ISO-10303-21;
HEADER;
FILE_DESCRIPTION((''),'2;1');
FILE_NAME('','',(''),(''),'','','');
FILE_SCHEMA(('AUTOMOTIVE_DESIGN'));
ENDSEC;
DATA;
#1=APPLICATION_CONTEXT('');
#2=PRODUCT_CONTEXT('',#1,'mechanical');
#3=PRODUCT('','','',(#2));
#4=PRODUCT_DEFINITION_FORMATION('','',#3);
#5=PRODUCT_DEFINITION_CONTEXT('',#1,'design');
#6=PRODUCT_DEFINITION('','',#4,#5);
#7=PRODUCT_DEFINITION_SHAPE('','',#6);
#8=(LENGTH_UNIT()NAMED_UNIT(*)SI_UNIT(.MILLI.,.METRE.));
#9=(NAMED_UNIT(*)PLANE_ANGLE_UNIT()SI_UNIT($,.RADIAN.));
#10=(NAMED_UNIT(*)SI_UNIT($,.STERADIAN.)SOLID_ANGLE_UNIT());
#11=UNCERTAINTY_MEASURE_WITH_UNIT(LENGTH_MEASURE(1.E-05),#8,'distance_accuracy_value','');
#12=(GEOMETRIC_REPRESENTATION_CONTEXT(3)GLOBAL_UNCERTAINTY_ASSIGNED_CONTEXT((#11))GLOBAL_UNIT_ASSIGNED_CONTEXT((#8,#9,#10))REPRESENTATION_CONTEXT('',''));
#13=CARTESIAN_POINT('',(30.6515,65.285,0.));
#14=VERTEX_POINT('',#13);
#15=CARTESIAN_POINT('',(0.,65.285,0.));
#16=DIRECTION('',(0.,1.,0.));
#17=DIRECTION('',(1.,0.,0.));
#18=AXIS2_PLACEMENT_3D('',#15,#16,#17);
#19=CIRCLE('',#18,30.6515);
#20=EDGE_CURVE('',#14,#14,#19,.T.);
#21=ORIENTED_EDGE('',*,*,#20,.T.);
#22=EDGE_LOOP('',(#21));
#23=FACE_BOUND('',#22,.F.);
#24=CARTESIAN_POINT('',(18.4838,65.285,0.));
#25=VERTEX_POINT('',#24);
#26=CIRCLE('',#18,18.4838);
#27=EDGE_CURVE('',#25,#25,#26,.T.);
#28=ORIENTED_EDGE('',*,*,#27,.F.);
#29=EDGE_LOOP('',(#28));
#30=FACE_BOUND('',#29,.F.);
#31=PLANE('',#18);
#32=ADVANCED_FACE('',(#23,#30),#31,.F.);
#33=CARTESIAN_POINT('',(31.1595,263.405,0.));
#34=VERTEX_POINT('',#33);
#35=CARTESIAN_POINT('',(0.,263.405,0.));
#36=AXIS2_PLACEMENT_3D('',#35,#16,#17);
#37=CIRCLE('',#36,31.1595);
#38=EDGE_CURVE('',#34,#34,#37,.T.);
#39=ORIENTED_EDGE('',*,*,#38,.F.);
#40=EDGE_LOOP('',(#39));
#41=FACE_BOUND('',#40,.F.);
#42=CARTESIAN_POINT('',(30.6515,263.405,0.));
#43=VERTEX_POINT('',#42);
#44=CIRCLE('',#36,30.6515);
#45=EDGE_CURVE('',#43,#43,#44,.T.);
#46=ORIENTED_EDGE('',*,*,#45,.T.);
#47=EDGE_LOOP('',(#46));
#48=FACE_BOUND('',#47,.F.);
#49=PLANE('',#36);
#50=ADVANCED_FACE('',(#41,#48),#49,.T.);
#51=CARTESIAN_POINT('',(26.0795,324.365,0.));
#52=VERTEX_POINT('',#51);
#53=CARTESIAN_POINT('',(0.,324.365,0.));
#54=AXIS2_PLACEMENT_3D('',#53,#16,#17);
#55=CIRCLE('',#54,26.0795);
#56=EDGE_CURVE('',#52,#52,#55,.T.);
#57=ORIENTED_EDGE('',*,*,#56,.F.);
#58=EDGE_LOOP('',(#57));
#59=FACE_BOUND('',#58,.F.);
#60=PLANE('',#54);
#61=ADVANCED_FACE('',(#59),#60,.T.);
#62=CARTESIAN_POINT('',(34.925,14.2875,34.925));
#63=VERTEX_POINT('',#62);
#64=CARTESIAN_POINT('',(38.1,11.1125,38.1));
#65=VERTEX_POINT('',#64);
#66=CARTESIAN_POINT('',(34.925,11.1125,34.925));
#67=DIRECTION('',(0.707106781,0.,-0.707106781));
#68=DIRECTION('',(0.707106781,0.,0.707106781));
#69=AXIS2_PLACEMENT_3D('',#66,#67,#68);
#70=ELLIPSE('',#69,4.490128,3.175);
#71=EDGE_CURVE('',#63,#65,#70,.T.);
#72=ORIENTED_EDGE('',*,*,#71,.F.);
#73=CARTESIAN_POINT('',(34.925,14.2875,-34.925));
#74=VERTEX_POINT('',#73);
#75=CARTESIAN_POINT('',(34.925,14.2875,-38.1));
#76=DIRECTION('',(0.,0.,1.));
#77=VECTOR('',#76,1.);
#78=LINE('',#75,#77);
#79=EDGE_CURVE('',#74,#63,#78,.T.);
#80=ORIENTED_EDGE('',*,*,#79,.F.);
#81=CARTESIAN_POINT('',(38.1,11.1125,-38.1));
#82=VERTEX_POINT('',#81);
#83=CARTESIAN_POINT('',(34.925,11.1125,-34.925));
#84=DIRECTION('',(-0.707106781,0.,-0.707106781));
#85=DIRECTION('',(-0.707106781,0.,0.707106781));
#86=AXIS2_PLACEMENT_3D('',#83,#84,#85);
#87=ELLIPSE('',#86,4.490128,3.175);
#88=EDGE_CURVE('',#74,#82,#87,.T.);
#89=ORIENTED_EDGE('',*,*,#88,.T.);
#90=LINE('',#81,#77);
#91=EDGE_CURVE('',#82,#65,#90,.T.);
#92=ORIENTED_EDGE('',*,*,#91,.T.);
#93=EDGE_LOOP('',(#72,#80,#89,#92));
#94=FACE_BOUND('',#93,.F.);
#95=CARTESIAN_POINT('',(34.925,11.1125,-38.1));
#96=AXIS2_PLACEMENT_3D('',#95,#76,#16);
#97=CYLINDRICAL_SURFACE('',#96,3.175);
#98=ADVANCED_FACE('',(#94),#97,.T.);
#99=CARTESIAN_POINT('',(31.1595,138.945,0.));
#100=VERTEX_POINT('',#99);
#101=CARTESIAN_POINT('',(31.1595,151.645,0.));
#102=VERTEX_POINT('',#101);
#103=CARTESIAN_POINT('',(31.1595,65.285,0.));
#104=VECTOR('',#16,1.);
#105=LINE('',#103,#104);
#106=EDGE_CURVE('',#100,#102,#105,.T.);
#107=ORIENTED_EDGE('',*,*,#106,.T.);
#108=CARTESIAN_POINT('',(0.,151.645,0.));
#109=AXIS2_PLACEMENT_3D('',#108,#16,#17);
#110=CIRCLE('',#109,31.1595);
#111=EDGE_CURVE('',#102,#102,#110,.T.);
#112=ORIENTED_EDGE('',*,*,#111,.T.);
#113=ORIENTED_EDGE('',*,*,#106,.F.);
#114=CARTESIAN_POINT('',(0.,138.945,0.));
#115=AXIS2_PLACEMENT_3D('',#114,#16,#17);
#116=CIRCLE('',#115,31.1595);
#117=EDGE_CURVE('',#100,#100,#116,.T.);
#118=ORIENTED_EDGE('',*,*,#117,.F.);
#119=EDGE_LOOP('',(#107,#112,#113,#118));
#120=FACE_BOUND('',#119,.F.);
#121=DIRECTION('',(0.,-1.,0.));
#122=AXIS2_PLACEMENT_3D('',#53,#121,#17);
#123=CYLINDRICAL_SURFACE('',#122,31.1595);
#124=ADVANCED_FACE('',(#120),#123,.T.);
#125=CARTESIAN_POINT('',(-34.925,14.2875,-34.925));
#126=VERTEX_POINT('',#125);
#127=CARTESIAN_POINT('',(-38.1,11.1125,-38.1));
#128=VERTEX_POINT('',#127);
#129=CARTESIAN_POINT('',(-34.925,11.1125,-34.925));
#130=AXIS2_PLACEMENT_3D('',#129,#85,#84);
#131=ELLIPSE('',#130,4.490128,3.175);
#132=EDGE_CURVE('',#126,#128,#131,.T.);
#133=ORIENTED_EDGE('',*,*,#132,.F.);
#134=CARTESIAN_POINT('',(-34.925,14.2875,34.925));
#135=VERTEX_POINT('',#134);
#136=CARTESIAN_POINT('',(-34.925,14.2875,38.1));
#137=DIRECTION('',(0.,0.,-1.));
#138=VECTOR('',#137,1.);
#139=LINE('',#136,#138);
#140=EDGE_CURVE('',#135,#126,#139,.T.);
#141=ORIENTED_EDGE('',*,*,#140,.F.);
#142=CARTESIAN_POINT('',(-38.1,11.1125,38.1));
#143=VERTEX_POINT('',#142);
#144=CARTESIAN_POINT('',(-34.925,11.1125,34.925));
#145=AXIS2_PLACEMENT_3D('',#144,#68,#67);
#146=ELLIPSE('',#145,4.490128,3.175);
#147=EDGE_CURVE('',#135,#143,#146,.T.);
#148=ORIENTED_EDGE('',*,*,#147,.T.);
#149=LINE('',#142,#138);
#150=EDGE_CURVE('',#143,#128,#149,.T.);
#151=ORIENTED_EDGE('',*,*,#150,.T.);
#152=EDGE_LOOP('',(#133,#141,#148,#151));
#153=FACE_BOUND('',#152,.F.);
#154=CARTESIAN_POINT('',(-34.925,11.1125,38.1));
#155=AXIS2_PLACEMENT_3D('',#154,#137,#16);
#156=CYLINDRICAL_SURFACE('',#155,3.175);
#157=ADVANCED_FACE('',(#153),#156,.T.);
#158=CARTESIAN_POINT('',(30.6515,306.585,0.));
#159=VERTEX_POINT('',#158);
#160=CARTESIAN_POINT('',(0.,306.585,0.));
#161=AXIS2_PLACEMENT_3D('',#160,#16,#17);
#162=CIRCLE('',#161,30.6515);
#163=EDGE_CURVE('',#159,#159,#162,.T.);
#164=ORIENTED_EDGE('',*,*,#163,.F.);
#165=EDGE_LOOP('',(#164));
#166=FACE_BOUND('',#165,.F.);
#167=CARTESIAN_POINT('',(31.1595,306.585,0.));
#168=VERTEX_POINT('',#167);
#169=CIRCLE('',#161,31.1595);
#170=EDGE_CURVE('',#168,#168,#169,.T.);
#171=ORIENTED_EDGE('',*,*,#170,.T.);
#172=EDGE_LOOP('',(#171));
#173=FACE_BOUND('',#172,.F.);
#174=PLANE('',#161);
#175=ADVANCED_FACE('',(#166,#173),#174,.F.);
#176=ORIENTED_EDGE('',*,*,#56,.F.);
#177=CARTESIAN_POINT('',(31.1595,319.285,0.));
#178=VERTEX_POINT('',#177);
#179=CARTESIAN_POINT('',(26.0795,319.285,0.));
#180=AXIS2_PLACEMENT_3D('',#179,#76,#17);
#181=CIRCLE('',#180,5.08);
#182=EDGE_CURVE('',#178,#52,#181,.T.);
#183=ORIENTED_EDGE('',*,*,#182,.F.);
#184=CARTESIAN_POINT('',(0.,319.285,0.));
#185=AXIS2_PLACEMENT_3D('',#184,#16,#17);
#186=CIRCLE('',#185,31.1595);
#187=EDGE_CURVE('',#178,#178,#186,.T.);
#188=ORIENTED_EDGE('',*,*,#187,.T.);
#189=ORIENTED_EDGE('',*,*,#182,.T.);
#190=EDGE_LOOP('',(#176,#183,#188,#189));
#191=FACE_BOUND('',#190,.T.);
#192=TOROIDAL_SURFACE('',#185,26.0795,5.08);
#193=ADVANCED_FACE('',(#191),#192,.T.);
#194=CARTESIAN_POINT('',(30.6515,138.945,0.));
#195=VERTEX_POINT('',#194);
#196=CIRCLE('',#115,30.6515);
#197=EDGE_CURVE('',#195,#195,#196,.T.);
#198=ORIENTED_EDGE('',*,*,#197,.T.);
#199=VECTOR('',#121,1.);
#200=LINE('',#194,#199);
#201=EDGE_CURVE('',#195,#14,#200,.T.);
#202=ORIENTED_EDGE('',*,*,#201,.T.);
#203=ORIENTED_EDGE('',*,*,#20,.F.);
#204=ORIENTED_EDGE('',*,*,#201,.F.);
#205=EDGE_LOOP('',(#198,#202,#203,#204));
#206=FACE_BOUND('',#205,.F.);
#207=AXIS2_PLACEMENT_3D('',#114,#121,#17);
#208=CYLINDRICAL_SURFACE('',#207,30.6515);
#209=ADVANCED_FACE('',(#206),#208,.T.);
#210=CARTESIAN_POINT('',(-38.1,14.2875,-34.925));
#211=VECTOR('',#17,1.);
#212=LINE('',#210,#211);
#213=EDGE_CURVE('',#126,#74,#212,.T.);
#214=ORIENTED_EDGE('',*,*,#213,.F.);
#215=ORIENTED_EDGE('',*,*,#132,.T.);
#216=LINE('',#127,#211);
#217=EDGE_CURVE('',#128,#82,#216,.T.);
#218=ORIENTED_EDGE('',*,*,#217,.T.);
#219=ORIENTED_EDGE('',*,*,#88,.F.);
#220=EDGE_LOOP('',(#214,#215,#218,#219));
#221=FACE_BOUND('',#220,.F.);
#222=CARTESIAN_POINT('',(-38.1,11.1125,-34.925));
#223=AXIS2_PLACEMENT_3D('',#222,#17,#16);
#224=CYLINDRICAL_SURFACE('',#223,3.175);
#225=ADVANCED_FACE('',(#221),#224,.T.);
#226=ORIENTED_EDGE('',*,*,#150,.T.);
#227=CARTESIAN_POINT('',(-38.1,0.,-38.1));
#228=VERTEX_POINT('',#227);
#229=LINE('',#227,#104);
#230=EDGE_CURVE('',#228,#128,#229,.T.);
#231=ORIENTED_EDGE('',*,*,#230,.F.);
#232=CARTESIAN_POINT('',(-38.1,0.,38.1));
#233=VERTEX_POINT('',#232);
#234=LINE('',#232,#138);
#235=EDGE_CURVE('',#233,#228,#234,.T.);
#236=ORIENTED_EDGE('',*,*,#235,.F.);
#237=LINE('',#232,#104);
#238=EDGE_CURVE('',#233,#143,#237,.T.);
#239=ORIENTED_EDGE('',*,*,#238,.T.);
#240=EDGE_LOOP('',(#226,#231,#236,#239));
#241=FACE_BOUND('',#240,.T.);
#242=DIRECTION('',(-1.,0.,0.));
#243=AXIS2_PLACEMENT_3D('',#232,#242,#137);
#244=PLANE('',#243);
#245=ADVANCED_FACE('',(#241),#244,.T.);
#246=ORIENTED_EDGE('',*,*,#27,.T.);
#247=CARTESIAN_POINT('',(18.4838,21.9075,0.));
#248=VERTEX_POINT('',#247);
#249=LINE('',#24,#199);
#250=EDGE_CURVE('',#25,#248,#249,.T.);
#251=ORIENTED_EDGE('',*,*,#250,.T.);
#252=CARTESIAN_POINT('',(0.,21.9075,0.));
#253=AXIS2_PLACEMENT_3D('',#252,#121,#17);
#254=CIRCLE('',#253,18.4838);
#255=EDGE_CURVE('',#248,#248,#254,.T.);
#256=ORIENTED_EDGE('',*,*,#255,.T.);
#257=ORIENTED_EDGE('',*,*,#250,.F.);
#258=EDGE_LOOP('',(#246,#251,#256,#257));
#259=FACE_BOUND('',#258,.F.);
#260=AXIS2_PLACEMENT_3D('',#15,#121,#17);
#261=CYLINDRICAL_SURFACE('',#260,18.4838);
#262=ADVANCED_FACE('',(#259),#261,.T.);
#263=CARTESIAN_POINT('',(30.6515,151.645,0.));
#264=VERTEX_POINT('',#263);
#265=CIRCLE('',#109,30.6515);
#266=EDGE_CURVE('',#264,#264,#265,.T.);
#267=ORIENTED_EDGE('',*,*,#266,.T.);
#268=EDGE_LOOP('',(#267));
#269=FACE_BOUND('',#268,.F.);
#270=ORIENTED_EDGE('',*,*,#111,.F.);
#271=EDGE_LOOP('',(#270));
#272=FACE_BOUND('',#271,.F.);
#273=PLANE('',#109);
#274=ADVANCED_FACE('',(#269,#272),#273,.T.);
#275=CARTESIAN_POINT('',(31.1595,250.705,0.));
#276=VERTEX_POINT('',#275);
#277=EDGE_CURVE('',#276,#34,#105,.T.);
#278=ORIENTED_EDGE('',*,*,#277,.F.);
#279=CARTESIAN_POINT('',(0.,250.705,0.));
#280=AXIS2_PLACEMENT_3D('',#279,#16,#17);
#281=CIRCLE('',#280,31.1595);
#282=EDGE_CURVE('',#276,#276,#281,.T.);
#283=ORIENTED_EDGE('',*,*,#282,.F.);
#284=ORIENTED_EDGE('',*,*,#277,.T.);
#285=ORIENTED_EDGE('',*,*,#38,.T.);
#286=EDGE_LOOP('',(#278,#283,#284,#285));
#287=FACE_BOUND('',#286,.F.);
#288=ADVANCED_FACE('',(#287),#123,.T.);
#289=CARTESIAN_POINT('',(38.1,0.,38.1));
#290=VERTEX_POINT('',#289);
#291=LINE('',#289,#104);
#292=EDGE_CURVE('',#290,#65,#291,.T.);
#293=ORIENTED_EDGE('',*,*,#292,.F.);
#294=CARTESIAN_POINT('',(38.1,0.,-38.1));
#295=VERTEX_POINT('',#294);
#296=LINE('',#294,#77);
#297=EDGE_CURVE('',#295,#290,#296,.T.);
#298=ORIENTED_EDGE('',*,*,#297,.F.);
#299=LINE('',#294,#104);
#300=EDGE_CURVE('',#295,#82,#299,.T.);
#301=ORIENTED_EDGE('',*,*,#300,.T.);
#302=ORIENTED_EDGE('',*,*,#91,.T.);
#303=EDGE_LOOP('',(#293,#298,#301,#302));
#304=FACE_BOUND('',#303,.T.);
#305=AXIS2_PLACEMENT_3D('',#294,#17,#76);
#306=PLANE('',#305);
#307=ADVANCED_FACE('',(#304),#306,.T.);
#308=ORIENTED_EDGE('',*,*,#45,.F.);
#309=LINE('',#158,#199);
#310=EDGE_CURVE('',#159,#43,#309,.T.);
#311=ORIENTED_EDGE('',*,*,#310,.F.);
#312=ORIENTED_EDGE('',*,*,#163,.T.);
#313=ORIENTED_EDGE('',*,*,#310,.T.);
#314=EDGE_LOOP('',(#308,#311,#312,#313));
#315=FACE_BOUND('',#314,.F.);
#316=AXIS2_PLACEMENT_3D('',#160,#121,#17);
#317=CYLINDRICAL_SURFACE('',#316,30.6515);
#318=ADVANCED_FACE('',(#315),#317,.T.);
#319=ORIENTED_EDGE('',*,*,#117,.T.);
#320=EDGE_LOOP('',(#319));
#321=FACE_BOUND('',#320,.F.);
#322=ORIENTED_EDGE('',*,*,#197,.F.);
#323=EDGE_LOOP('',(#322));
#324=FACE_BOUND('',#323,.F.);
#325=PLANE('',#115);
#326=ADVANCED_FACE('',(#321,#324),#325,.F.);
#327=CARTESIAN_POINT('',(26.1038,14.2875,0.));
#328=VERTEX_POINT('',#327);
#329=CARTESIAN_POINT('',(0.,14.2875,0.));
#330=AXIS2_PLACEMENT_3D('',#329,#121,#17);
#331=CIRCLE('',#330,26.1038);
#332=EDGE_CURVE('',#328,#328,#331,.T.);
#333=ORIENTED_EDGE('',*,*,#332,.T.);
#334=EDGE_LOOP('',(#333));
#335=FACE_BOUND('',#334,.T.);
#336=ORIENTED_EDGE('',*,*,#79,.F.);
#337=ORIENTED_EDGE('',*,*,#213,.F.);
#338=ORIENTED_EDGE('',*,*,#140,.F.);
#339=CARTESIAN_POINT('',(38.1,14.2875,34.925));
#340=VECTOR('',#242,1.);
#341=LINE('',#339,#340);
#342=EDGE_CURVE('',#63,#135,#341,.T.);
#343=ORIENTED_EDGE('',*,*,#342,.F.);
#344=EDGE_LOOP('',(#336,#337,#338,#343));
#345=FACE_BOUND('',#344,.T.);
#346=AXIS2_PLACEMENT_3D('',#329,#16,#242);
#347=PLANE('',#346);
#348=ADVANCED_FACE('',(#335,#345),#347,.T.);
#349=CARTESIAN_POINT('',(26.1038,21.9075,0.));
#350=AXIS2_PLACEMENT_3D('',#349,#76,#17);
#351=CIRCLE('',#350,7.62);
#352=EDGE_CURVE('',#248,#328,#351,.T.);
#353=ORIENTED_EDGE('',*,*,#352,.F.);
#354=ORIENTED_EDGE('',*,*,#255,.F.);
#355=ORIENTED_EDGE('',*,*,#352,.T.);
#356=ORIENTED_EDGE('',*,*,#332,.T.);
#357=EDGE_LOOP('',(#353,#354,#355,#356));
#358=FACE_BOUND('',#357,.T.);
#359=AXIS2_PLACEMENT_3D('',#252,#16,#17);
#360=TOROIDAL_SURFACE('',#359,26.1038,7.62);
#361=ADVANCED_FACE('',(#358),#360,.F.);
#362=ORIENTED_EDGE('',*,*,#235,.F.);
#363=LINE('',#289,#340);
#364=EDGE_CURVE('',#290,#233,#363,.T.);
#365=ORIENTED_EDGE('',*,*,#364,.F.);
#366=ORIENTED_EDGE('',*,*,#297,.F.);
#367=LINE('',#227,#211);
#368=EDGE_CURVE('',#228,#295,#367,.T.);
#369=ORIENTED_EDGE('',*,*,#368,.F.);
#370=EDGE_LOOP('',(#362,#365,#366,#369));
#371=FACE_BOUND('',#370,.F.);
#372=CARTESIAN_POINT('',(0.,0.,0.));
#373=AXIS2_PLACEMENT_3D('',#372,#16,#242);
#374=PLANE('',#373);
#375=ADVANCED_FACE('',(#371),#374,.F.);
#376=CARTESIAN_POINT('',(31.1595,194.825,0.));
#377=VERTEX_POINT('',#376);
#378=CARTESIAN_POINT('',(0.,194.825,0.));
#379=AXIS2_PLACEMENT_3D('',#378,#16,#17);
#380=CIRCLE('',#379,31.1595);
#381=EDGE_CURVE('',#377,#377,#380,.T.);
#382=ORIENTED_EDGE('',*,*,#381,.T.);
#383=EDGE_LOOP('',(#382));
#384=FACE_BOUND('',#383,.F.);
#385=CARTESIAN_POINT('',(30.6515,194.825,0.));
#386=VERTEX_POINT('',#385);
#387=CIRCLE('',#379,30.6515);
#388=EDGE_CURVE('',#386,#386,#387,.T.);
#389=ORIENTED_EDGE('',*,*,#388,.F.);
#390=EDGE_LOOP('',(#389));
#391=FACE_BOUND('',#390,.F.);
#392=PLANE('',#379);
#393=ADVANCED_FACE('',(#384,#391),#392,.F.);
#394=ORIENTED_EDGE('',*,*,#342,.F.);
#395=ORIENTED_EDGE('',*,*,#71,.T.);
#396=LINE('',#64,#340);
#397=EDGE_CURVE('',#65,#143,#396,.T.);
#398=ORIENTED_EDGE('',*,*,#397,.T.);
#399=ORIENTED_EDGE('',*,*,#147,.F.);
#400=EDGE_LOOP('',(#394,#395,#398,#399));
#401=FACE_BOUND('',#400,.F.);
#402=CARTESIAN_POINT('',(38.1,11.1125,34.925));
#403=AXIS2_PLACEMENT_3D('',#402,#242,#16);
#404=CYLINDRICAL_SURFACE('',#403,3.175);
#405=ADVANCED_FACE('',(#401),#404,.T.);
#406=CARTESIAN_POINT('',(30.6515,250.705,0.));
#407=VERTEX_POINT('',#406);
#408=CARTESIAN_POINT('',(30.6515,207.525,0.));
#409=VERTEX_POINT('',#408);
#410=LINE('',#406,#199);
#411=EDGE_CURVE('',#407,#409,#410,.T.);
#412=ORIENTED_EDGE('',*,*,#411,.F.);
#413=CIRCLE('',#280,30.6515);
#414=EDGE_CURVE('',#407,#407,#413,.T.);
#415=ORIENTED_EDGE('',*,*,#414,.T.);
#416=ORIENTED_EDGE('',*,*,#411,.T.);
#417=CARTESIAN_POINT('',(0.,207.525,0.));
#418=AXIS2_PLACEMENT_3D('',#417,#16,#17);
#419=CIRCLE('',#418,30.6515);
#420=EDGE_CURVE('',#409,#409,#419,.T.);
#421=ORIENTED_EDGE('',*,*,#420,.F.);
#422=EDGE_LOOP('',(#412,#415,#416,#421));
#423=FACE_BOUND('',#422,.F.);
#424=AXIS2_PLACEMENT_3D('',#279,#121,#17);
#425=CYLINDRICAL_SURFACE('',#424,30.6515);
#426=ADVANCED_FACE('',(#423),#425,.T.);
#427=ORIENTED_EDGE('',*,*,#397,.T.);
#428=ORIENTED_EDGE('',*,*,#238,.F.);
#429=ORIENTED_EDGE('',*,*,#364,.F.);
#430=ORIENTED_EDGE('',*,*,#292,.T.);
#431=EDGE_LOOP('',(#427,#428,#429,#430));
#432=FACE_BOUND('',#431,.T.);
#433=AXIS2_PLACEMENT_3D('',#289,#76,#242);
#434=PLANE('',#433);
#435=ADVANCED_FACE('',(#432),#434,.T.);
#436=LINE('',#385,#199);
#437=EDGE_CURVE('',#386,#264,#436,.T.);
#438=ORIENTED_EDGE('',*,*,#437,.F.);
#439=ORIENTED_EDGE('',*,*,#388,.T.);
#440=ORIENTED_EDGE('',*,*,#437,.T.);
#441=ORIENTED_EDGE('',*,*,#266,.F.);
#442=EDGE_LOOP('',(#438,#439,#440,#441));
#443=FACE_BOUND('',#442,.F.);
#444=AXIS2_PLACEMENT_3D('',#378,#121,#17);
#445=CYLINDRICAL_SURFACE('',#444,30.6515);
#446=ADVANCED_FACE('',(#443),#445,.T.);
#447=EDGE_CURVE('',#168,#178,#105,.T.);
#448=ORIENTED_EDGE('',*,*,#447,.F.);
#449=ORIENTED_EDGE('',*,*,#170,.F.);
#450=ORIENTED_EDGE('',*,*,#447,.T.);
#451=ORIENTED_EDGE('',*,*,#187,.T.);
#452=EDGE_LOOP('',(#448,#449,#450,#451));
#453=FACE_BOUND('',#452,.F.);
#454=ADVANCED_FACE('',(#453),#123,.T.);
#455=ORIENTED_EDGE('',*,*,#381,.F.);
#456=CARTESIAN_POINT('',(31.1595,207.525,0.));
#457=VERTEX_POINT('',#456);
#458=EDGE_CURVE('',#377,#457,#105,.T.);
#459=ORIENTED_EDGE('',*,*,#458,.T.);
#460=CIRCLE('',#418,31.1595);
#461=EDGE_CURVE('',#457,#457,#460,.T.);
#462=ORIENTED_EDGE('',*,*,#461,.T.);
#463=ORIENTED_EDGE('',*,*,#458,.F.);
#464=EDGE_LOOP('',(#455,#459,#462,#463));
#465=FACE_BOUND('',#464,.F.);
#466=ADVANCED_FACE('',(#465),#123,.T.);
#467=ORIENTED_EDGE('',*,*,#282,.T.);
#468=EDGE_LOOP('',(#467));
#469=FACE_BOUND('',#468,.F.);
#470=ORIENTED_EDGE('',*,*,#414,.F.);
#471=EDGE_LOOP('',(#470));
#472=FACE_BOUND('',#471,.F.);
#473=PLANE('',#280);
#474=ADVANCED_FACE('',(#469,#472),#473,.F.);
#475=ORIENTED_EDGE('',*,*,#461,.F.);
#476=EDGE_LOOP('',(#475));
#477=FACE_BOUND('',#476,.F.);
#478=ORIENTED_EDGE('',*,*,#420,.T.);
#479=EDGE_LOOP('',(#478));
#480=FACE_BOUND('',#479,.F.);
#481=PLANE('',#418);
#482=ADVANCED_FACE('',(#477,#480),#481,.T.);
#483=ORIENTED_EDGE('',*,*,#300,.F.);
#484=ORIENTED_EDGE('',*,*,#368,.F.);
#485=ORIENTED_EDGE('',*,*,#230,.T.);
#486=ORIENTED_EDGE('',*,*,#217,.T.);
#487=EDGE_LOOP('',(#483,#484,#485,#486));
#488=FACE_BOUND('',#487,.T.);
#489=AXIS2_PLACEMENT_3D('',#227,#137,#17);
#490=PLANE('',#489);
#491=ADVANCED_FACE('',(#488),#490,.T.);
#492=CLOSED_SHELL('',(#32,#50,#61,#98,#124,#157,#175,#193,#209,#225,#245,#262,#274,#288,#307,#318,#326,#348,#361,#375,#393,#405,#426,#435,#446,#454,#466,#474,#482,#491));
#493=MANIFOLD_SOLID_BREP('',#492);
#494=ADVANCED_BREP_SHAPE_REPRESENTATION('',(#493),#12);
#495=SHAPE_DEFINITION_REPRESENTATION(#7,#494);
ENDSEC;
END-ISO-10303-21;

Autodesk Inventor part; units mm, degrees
ref_plane "YZ Plane" through (0, 0, 0) normal (1, 0, 0) x (0, 1, 0)
ref_plane "XZ Plane" through (0, 0, 0) normal (0, 1, 0) x (-1, 0, 0)
ref_plane "XY Plane" through (0, 0, 0) normal (0, 0, 1) x (1, 0, 0)
sketch "草圖1" plane through (0, 0, 0) normal (0, 0, 1) x (1, 0, 0)
  line L0 (-6.2319, 0) -> (37.3914, 0) construction
  line L1 (0, -62.7215) -> (0, 388.8794) construction
  line L2 (0, 324.365) -> (31.1595, 324.365)
  line L3 (31.1595, 324.365) -> (31.1595, 65.285)
  line L4 (31.1595, 65.285) -> (0, 65.285)
  line L5 (0, 65.285) -> (0, 324.365)
  line L6 (0, 65.285) -> (18.4838, 65.285)
  line L7 (18.4838, 65.285) -> (18.4838, 1.7929)
  line L8 (18.4838, 1.7929) -> (0, 1.7929)
  line L9 (0, 1.7929) -> (0, 65.285)
  line L10 (31.1595, 306.585) -> (30.6515, 306.585)
  line L11 (30.6515, 306.585) -> (30.6515, 263.405)
  line L12 (30.6515, 263.405) -> (31.1595, 263.405)
  line L13 (31.1595, 263.405) -> (31.1595, 306.585)
  line L14 (31.1595, 250.705) -> (30.6515, 250.705)
  line L15 (30.6515, 250.705) -> (30.6515, 207.525)
  line L16 (30.6515, 207.525) -> (31.1595, 207.525)
  line L17 (31.1595, 207.525) -> (31.1595, 250.705)
  line L18 (31.1595, 194.825) -> (30.6515, 194.825)
  line L19 (30.6515, 194.825) -> (30.6515, 151.645)
  line L20 (30.6515, 151.645) -> (31.1595, 151.645)
  line L21 (31.1595, 151.645) -> (31.1595, 194.825)
  line L22 (31.1595, 138.945) -> (30.6515, 138.945)
  line L23 (30.6515, 138.945) -> (30.6515, 65.285)
  line L24 (30.6515, 65.285) -> (31.1595, 65.285)
  line L25 (31.1595, 65.285) -> (31.1595, 138.945)
  point P0 (31.1595, 151.645)
  point P1 (31.1595, 207.525)
  point P2 (31.1595, 263.405)
  dimension "d7" = 0.508
  dimension "d8" = 43.18
  dimension "d9" = 43.18
  dimension "d10" = 17.78
  dimension "d11" = 12.7
  dimension "d12" = 12.7
  dimension "d13" = 43.18
  dimension "d18" = 12.7
revolve "迴轉1" add sketch "草圖1" angle 360 about axis through (0, 65.285, 0) along (0, 1, 0)
sketch "草圖2" plane through (0, 0, 0) normal (0, 1, 0) x (-1, 0, 0)
  line L0 (38.1, -38.1) -> (-38.1, -38.1)
  line L1 (-38.1, -38.1) -> (-38.1, 38.1)
  line L2 (-38.1, 38.1) -> (38.1, 38.1)
  line L3 (38.1, 38.1) -> (38.1, -38.1)
  line L4 (53.34, 0) -> (-53.34, 0) construction
  line L5 (0, -53.34) -> (0, 53.34) construction
  point P0 (0, 0)
  dimension "d5" = 76.2
  dimension "d6" = 76.2
extrude "擠出1" add sketch "草圖2" along normal blind 14.2875
revolve "迴轉2" cut sketch "草圖1" angle 360 about axis through (0, -10, 0) along (0, 1, 0) contours L3 L12 L11 L10 | L23 L22 L3 L4 | L3 L16 L15 L14 | L3 L20 L19 L18
fillet "圓角1" radius 5.08 1 edges at (-31.1595, 324.365, 0)
fillet "圓角2" radius 7.62 1 edges at (-18.4838, 14.2875, 0)
fillet "圓角3" radius 3.175 4 edges at (38.1, 14.2875, 0) (-38.1, 14.2875, 0) (0, 14.2875, 38.1) (0, 14.2875, -38.1)
properties part number "警示燈"
